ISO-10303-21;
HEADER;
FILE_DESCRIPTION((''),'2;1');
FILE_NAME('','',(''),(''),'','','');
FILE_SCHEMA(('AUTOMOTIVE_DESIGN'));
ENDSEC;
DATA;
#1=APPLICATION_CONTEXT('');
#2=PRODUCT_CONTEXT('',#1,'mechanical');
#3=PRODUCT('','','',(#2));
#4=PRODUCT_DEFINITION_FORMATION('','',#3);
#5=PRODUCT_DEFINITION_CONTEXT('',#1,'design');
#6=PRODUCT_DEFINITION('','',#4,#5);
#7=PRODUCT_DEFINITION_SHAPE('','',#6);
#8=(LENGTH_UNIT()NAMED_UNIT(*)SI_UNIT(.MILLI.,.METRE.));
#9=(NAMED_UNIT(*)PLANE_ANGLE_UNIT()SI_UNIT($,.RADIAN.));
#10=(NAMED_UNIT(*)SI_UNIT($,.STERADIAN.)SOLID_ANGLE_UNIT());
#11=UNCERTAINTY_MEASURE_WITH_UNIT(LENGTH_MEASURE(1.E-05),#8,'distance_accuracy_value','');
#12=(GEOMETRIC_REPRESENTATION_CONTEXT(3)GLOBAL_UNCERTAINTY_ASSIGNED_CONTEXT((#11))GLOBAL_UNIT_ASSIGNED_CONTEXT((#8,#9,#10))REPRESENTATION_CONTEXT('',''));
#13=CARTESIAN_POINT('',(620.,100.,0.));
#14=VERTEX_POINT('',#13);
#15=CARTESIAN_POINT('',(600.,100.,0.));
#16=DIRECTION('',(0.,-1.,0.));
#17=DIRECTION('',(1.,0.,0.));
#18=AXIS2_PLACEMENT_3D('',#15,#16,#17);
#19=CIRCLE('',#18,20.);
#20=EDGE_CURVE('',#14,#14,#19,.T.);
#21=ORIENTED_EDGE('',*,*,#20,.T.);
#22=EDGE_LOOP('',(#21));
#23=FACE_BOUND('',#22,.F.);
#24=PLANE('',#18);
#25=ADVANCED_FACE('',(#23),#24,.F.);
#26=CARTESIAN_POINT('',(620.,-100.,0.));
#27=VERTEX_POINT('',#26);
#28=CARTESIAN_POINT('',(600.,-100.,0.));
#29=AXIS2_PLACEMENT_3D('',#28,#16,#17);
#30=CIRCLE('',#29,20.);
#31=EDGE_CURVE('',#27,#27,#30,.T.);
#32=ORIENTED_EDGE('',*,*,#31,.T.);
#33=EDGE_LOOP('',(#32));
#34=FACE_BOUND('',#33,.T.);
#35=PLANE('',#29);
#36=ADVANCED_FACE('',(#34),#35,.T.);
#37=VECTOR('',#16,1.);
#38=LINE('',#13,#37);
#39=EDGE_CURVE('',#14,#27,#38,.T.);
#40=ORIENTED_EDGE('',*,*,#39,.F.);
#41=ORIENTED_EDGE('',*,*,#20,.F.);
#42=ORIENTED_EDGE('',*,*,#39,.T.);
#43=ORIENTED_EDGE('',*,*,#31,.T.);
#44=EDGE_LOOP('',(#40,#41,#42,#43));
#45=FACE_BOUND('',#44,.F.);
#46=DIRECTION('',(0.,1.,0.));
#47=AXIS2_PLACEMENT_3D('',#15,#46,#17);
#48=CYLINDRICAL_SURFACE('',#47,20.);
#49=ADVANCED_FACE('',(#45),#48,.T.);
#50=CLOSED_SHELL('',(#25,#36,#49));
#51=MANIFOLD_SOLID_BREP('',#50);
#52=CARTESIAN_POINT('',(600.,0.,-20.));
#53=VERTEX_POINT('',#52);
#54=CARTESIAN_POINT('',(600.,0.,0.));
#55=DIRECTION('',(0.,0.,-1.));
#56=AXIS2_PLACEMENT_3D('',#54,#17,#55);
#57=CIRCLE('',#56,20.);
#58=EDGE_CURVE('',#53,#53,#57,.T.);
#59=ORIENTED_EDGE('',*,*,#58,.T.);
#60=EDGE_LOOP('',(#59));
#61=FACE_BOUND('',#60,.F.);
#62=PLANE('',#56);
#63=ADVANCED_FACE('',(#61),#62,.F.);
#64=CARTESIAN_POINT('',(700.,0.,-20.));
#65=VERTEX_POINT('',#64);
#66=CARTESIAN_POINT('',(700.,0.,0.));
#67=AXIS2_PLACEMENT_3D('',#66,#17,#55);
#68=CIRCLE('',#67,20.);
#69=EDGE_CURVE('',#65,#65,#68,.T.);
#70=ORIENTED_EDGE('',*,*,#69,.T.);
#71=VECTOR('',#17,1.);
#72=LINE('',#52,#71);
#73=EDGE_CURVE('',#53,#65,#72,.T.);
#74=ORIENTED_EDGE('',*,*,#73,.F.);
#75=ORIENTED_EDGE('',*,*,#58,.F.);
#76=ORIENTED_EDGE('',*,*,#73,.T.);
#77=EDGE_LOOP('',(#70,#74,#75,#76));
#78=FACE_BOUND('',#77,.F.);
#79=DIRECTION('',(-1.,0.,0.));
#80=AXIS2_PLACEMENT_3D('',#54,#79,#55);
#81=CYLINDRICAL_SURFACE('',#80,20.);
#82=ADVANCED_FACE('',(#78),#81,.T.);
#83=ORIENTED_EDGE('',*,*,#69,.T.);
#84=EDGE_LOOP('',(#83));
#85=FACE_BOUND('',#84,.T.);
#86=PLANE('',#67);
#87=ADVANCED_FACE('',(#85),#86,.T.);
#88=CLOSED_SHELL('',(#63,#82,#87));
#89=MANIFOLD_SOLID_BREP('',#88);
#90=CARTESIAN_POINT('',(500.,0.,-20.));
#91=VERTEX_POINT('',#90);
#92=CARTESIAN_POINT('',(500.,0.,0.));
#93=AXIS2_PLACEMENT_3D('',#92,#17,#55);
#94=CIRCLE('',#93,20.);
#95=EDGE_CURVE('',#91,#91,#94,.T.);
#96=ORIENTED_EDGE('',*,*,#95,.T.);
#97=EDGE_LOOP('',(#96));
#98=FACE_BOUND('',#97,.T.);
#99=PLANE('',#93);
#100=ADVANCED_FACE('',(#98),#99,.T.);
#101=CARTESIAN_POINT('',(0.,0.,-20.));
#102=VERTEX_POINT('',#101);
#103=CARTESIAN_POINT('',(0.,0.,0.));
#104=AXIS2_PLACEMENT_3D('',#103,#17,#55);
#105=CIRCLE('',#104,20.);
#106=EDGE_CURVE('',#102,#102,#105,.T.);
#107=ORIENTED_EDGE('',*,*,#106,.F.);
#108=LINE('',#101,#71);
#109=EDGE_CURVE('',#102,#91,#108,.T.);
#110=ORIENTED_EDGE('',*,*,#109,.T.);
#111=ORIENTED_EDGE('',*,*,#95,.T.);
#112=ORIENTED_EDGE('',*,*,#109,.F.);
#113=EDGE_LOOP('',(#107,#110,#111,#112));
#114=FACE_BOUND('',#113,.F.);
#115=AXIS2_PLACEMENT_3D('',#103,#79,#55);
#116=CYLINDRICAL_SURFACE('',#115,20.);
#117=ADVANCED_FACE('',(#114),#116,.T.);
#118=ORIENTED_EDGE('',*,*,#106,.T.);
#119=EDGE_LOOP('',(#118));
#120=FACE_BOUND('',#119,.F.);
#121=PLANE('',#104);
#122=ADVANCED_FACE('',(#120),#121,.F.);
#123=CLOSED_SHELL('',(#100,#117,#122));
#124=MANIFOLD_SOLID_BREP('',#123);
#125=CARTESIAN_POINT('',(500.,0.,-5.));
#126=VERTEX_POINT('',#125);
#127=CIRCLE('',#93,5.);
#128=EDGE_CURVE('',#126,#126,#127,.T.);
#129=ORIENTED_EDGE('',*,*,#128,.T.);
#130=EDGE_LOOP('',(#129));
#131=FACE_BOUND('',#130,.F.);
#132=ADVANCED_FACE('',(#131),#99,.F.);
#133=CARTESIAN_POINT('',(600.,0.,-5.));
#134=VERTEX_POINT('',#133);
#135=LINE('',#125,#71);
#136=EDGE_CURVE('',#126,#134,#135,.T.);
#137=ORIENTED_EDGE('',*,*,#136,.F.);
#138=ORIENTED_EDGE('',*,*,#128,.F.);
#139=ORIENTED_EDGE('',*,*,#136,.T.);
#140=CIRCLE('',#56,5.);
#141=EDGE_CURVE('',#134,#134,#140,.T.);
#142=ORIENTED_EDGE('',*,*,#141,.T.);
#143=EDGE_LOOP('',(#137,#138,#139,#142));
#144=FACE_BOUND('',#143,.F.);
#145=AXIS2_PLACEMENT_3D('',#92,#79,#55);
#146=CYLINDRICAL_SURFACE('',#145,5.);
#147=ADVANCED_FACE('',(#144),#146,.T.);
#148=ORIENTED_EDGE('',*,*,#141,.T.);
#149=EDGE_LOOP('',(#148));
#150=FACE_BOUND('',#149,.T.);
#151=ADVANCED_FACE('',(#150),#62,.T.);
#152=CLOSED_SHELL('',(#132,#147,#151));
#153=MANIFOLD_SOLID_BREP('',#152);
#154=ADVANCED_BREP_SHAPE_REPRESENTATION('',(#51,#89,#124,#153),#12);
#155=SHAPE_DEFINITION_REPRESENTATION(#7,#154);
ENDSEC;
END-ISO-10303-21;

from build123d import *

# Parameters (mm, degrees)
CYLINDER_R        = 5
CYLINDER_DEPTH    = 100
CYLINDER001_R     = 20
CYLINDER001_DEPTH = 200
CYLINDER002_R     = 20
CYLINDER002_DEPTH = 500
CYLINDER003_R     = 20
CYLINDER003_DEPTH = 100


with BuildPart() as cylinder:
    # Cylinder → Cylinder (new body)
    with BuildSketch(Plane(origin=(500, 0, 0), x_dir=(0, 0, -1), z_dir=(1, 0, 0))):
        Circle(CYLINDER_R)
    extrude(amount=CYLINDER_DEPTH)


with BuildPart() as cylinder001:
    # Cylinder001 → Cylinder001 (new body)
    with BuildSketch(Plane(origin=(600, 100, 0), x_dir=(1, 0, 0), z_dir=(0, -1, 0))):
        Circle(CYLINDER001_R)
    extrude(amount=CYLINDER001_DEPTH)


with BuildPart() as cylinder002:
    # Cylinder002 → Cylinder002 (new body)
    with BuildSketch(Plane(origin=(0, 0, 0), x_dir=(0, 0, -1), z_dir=(1, 0, 0))):
        Circle(CYLINDER002_R)
    extrude(amount=CYLINDER002_DEPTH)


with BuildPart() as cylinder003:
    # Cylinder003 → Cylinder003 (new body)
    with BuildSketch(Plane(origin=(600, 0, 0), x_dir=(0, 0, -1), z_dir=(1, 0, 0))):
        Circle(CYLINDER003_R)
    extrude(amount=CYLINDER003_DEPTH)


solid = Compound([cylinder.part, cylinder001.part, cylinder002.part, cylinder003.part])
